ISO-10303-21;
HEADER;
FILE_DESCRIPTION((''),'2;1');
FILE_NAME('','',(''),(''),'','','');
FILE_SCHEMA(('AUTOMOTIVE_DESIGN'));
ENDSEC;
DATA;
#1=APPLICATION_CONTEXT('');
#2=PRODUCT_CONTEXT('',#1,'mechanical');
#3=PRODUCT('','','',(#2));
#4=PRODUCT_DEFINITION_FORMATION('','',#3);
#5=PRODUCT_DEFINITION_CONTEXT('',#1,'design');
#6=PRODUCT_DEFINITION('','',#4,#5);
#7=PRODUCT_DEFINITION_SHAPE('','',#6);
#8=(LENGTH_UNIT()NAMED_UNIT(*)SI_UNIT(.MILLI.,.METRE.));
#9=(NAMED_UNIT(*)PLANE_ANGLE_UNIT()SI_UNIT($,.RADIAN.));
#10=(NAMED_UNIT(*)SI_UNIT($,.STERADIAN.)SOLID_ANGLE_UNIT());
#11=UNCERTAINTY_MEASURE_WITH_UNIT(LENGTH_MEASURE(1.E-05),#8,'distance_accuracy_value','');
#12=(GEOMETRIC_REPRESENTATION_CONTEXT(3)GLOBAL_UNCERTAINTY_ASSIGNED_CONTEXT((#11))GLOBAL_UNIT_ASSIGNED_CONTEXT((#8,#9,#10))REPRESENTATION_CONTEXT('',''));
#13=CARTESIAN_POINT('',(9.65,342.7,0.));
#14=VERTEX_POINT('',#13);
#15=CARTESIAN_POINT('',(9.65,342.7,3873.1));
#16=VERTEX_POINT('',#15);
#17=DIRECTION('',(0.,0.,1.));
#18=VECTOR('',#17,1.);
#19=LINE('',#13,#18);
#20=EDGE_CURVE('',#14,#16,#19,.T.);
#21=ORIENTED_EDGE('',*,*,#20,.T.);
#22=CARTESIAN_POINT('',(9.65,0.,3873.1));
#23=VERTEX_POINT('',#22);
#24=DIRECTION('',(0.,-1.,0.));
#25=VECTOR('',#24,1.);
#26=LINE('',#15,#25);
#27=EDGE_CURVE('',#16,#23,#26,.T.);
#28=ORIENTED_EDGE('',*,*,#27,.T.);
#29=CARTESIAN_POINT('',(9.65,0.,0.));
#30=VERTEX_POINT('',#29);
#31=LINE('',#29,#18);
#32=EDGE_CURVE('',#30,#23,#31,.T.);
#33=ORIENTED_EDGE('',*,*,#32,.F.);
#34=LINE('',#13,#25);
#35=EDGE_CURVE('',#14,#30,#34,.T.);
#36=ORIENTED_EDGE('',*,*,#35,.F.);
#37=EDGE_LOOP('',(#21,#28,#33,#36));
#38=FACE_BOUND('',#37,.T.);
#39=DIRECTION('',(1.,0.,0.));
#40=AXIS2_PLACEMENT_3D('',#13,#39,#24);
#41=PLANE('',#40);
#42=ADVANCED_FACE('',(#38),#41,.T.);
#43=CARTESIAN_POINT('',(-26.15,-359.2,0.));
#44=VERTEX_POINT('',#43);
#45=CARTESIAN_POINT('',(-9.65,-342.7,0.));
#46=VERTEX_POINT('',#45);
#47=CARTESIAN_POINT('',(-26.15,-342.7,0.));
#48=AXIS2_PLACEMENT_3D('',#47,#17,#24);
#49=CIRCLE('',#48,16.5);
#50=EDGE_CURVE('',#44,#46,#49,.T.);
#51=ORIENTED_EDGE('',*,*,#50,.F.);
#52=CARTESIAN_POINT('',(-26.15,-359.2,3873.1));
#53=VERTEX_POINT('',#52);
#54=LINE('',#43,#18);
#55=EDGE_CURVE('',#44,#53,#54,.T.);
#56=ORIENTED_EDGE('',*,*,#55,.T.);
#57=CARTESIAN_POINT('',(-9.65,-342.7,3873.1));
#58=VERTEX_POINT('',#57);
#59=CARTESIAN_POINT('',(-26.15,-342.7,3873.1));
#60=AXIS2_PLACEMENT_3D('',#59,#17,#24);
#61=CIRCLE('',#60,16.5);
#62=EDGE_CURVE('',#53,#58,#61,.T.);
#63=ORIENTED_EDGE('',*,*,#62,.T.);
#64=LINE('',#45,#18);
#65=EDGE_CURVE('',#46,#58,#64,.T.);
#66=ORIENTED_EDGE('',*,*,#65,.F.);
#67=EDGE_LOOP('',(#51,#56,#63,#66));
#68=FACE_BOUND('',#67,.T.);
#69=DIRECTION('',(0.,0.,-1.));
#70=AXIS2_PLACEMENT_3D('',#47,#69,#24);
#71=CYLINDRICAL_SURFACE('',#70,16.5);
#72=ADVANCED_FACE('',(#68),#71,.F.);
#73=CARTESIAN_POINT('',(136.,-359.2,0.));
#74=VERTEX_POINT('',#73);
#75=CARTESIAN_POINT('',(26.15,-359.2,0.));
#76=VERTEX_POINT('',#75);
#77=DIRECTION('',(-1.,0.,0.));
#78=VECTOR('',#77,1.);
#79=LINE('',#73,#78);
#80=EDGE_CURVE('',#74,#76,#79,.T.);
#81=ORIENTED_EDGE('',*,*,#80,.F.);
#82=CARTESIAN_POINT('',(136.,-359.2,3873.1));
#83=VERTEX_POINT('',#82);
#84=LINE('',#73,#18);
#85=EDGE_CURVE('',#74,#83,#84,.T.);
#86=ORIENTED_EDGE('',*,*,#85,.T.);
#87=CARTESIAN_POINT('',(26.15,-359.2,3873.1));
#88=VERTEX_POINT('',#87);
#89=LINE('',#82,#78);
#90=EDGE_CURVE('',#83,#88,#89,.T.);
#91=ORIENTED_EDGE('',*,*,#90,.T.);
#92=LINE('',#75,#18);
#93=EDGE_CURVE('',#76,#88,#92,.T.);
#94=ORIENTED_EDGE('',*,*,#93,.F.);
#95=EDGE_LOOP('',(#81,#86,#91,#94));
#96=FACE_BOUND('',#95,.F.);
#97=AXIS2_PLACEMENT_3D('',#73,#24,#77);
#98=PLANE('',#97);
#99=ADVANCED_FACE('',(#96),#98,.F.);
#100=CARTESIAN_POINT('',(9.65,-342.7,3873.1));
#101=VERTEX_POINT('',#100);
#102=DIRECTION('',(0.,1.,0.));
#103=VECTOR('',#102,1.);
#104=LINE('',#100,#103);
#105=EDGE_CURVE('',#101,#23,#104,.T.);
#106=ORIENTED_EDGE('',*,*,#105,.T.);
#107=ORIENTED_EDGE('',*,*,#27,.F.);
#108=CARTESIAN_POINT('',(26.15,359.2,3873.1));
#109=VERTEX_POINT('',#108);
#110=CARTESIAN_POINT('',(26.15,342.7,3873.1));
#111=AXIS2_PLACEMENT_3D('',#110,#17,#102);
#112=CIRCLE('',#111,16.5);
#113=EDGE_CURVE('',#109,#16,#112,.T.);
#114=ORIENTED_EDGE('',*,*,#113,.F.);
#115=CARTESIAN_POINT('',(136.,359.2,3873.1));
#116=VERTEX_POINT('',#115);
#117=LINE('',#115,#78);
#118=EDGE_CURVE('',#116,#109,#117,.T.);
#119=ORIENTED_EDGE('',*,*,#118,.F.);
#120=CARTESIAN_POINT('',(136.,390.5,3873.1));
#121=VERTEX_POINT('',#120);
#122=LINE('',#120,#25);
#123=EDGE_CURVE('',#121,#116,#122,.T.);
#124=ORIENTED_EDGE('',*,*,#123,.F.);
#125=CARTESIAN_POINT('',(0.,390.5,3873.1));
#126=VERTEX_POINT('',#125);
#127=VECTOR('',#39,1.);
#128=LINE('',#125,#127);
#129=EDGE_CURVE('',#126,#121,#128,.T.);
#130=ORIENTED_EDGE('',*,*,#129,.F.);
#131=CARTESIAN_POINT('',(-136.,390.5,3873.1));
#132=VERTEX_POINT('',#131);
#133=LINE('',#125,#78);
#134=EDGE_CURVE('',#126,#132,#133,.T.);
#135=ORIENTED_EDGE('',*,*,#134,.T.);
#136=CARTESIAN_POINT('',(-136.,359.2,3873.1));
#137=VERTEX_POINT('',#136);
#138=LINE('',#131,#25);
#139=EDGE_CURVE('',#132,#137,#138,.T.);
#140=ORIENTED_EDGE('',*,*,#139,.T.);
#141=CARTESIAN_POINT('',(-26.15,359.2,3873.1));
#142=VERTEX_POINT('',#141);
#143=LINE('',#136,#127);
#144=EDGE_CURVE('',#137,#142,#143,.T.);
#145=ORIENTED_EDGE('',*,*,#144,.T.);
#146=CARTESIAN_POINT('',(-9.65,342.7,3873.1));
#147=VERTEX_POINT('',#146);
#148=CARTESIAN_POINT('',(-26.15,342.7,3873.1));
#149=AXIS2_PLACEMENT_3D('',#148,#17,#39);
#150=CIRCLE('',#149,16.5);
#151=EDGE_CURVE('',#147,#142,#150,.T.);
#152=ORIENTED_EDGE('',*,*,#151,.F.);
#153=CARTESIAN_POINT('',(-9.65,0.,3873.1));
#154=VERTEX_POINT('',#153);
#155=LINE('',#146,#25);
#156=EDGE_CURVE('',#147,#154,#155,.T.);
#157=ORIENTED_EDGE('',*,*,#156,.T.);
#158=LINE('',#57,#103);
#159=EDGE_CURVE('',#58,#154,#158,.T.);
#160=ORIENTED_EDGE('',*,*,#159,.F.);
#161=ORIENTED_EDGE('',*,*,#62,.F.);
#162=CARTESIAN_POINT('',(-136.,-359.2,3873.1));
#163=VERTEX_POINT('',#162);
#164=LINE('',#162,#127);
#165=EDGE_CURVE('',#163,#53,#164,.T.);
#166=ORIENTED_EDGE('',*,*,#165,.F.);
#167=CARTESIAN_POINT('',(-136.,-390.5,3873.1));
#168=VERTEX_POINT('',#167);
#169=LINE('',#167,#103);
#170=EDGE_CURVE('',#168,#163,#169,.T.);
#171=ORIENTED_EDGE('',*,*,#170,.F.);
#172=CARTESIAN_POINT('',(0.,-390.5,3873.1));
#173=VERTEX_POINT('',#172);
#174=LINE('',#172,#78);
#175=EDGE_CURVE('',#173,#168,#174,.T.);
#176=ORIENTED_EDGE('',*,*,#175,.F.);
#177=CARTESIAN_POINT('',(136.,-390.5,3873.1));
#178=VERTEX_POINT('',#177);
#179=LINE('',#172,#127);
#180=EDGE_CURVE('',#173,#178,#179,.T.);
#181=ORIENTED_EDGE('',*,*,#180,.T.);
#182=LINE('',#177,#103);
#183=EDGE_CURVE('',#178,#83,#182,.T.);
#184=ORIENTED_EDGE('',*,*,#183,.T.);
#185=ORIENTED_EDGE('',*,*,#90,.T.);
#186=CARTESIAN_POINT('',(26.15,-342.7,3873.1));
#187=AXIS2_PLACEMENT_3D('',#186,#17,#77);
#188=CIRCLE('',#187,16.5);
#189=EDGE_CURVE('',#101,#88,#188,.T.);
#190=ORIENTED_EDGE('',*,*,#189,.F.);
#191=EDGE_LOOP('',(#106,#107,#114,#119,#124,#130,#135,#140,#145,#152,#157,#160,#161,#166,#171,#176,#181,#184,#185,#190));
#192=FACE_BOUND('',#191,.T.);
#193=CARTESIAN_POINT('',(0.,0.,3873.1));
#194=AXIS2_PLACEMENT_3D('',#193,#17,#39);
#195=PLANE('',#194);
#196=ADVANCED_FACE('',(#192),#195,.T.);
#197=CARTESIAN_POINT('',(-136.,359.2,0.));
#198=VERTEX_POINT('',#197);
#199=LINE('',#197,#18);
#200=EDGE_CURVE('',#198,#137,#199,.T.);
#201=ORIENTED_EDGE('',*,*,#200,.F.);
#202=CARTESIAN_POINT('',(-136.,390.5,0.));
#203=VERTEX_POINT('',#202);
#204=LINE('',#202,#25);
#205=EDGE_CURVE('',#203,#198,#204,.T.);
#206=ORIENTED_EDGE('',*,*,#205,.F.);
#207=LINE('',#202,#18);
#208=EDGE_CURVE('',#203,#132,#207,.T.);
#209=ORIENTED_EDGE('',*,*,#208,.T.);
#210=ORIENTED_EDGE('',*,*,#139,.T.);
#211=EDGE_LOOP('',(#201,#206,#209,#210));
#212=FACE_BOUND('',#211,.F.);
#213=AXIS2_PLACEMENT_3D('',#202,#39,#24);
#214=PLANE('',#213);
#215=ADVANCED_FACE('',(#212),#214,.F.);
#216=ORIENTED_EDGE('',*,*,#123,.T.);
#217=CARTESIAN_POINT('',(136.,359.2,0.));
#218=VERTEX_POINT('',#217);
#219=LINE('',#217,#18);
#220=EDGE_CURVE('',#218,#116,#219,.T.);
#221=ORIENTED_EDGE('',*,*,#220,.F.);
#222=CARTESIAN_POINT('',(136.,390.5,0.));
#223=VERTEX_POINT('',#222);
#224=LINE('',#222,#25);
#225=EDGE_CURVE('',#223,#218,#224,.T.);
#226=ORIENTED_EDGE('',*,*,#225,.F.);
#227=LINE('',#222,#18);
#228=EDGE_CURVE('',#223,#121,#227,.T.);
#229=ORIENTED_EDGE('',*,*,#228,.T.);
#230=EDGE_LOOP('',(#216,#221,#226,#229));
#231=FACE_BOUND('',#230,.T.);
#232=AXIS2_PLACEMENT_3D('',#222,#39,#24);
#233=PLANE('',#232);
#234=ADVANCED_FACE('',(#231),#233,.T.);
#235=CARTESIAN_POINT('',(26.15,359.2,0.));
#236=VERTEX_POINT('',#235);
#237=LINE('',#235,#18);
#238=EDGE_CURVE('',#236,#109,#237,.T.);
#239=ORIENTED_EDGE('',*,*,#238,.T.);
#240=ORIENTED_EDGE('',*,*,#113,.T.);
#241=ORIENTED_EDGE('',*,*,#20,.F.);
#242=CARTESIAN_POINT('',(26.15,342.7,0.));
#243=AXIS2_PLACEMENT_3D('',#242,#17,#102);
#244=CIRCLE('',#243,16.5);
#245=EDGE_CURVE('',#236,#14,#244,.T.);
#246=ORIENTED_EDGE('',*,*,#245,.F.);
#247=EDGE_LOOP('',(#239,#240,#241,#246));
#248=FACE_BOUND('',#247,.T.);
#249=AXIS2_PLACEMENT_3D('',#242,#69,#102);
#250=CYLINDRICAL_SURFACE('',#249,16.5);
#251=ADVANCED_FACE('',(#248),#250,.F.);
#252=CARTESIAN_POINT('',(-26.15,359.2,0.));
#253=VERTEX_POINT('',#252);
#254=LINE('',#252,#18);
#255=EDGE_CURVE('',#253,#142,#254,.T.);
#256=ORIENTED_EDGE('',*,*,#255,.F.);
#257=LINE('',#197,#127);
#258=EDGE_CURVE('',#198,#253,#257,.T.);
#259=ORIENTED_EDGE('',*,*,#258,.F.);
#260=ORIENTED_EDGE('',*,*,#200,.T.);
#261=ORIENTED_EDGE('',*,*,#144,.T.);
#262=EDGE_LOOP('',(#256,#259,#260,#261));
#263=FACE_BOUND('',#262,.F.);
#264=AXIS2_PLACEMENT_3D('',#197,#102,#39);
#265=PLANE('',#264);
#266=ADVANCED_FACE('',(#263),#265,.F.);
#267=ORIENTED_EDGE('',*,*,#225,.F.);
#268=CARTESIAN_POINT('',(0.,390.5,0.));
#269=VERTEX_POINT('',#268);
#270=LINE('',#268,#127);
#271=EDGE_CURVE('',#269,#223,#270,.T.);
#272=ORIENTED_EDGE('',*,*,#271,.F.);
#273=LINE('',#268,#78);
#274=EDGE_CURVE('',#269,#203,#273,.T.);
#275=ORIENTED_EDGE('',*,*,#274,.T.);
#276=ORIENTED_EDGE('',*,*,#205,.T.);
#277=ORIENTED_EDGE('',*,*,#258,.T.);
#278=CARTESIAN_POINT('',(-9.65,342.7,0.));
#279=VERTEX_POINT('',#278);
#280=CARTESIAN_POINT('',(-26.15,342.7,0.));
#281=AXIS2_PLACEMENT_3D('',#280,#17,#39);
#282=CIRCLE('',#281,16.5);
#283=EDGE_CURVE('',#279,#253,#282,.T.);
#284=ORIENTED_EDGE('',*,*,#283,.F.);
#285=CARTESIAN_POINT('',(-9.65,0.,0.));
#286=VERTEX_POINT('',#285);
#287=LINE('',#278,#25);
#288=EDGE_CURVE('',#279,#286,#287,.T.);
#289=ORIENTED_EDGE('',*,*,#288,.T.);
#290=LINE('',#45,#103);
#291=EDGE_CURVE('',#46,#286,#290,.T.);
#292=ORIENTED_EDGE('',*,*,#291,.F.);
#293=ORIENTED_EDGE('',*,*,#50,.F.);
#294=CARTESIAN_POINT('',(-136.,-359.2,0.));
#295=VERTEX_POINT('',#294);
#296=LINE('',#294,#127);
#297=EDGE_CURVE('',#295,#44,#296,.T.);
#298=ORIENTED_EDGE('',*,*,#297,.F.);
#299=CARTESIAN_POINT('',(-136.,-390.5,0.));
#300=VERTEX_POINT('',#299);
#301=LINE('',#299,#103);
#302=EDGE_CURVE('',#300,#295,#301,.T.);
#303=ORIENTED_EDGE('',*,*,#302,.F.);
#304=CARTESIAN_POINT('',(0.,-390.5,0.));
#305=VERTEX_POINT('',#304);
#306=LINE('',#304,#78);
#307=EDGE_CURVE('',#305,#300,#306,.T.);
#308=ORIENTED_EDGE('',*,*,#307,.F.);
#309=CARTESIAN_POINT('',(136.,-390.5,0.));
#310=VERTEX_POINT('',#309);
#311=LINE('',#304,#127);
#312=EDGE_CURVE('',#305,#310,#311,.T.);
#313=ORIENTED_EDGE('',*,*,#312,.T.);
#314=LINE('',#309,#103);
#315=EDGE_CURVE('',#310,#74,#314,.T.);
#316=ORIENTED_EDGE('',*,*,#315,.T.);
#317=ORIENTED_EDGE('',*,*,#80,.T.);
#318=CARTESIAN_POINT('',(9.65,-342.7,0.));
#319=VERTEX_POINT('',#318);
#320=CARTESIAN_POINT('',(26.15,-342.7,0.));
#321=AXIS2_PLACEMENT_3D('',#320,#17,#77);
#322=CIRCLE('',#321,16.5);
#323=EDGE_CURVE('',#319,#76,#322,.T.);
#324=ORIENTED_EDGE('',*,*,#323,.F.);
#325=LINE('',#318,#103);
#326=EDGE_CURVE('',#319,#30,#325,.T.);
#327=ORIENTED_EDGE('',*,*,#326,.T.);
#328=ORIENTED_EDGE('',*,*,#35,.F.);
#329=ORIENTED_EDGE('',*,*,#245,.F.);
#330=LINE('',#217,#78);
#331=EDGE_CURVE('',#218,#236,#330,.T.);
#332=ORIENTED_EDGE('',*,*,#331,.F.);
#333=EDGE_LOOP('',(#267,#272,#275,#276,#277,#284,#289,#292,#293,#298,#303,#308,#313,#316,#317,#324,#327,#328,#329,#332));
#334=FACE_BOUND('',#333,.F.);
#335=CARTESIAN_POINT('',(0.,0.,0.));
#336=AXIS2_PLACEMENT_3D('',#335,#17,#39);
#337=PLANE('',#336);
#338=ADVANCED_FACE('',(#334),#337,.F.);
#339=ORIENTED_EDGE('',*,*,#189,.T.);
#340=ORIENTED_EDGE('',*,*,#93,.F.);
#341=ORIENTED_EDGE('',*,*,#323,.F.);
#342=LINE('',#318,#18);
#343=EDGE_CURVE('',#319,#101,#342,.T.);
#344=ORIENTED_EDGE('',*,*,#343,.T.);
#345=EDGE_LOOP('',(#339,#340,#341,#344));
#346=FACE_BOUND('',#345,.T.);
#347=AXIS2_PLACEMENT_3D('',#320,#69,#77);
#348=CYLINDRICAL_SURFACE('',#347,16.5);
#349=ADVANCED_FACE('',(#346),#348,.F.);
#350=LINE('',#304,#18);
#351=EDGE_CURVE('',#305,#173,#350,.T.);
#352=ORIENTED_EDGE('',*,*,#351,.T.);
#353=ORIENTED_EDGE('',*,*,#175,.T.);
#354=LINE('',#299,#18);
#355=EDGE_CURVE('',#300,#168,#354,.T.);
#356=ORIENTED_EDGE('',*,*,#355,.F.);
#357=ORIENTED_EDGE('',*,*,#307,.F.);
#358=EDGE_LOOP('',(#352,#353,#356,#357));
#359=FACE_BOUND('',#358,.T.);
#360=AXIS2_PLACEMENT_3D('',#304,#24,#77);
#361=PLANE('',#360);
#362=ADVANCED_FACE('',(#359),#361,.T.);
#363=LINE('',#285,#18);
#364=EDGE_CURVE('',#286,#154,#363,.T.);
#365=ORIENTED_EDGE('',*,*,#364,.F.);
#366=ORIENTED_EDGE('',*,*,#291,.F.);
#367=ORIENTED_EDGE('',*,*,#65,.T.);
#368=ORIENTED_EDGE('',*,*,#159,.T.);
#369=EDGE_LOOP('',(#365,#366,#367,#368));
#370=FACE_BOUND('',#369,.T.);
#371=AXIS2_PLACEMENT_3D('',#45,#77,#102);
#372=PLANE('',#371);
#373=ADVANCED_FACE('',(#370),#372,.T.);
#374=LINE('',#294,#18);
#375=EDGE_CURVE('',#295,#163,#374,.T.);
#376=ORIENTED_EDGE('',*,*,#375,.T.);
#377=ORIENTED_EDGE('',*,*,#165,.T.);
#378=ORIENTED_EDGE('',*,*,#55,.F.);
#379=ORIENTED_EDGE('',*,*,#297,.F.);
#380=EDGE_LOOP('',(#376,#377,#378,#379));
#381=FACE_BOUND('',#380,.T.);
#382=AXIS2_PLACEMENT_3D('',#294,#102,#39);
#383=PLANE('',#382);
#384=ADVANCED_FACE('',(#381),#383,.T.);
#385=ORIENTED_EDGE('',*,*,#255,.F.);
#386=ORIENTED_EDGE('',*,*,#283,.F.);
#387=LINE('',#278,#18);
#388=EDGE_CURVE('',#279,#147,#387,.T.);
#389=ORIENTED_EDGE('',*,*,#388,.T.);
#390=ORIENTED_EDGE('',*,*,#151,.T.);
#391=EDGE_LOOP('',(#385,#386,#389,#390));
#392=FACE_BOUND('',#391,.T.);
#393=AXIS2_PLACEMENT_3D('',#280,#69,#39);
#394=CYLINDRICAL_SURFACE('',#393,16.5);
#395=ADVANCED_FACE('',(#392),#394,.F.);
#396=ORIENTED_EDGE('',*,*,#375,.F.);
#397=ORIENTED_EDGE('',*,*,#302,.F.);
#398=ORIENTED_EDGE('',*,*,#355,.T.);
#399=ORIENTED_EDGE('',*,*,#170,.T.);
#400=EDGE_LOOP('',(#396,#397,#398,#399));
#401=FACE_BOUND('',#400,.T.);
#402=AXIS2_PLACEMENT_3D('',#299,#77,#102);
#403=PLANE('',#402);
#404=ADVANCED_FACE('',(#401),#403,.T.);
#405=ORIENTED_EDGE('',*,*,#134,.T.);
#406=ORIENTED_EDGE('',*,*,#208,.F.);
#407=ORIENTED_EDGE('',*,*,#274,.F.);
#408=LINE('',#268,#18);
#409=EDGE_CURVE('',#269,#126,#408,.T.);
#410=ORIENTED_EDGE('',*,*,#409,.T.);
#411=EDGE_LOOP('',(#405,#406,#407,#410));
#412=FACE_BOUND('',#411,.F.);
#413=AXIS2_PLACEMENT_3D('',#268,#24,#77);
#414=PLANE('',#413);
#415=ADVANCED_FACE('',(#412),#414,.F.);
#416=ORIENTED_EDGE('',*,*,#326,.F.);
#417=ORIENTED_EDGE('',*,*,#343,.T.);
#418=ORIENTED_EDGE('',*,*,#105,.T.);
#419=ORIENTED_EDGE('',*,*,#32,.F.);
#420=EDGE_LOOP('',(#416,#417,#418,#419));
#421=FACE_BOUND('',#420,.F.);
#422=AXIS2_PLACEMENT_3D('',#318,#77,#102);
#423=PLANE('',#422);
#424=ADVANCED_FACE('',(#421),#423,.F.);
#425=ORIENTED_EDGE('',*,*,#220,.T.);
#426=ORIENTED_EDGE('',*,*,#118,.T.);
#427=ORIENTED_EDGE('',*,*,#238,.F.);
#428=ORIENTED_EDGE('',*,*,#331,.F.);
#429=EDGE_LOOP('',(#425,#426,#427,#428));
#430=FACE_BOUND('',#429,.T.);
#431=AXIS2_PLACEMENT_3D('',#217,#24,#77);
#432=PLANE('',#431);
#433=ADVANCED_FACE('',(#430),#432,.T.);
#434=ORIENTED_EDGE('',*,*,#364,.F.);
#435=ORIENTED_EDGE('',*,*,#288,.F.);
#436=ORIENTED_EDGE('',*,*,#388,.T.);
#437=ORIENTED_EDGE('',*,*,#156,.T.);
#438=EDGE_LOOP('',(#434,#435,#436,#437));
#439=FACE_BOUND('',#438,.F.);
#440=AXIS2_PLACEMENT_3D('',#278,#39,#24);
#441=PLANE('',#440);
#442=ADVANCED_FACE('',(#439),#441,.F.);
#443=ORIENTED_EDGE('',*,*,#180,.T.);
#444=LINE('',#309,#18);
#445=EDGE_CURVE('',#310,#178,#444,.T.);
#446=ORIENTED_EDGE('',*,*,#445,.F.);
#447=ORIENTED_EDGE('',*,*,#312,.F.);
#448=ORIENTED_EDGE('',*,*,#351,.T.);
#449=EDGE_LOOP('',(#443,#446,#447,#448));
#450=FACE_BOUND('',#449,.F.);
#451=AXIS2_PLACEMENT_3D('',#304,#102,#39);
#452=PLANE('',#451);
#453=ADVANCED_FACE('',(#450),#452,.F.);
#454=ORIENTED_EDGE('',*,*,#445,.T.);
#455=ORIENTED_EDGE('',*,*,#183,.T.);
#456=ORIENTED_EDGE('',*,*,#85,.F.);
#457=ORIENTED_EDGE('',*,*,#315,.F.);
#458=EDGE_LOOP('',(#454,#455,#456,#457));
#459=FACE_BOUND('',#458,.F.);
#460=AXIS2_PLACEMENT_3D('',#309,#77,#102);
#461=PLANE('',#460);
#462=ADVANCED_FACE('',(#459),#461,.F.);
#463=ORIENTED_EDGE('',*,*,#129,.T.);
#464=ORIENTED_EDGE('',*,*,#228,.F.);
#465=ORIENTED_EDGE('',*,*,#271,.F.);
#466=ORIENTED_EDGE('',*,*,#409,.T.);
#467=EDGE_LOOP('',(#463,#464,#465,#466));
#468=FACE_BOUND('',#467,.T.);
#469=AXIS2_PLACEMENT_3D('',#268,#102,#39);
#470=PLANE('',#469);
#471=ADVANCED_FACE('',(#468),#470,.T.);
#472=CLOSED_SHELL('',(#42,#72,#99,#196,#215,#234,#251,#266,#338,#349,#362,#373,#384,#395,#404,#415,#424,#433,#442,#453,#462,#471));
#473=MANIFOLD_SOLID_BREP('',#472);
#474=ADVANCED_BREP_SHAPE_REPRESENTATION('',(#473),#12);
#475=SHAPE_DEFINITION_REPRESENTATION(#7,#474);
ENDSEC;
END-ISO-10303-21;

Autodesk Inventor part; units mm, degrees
ref_plane "YZ Plane" through (0, 0, 0) normal (1, 0, 0) x (0, 1, 0)
ref_plane "Start plane" through (0, 0, 0) normal (0, 0, 1) x (1, 0, 0)
ref_plane "End plane" through (0, 0, 3873.1) normal (0, 0, 1) x (1, 0, 0)
sketch "Sketch" plane through (0, 0, 0) normal (0, 0, 1) x (1, 0, 0)
  line L0 (-136, -390.5) -> (-136, -359.2)
  line L1 (-136, -359.2) -> (-26.15, -359.2)
  line L2 (-9.65, -342.7) -> (-9.65, 0)
  line L3 (-9.65, 0) -> (0, 0) construction
  line L4 (0, 0) -> (0, -390.5) construction
  line L5 (0, -390.5) -> (-136, -390.5)
  line L6 (-60, 0) -> (80, 0) construction
  line L7 (0, -60) -> (0, 80) construction
  line L8 (136, -390.5) -> (136, -359.2)
  line L9 (136, -359.2) -> (26.15, -359.2)
  line L10 (9.65, -342.7) -> (9.65, 0)
  line L11 (9.65, 0) -> (0, 0) construction
  line L12 (0, -390.5) -> (136, -390.5)
  line L13 (-136, 390.5) -> (-136, 359.2)
  line L14 (-136, 359.2) -> (-26.15, 359.2)
  line L15 (-9.65, 342.7) -> (-9.65, 0)
  line L16 (0, 390.5) -> (-136, 390.5)
  line L17 (136, 390.5) -> (136, 359.2)
  line L18 (136, 359.2) -> (26.15, 359.2)
  line L19 (0, 390.5) -> (136, 390.5)
  line L20 (9.65, 342.7) -> (9.65, 0)
  arc A0 (-9.65, 342.7) -> (-26.15, 359.2) centre (-26.15, 342.7) ccw
  arc A1 (26.15, 359.2) -> (9.65, 342.7) centre (26.15, 342.7) ccw
  arc A2 (9.65, -342.7) -> (26.15, -359.2) centre (26.15, -342.7) ccw
  arc A3 (-26.15, -359.2) -> (-9.65, -342.7) centre (-26.15, -342.7) ccw
  line L21 (0, 108) -> (0, -88) construction
  line L22 (-88, 0) -> (108, 0) construction
  point P0 (-9.65, -359.2)
  point P1 (9.65, -359.2)
  point P2 (-9.65, 359.2)
  point P3 (9.65, 359.2)
  dimension "d1" = 390.5
  dimension "d2" = 31.3
  dimension "d3" = 136
  dimension "d4" = 9.65
  dimension "d10" = 16.5
extrude "Body" add sketch "Sketch" along normal up to surface (3873.1 mm away) from surface at 0
sketch "Sketch4" plane through (0, 0, 0) normal (0, 0, 1) x (1, 0, 0)
  line L0 (0, 0) -> (10, 0)
ref_plane "Work Plane3" through (0, 0, 0) normal (0, -1, 0) x (1, 0, 0)
sketch "Sketch5" plane through (0, 0, 0) normal (0, -1, 0) x (1, 0, 0)
  line L0 (-2, 0) -> (12, 0) projected
  line L1 (-2, 3873.1) -> (12, 3873.1) projected
  dimension "d14" = 3873.1
equation "\"d1\" = 0.5 * G_H"
equation "\"d2\" = G_T1"
equation "\"d3\" = 0.5 * G_W"
equation "\"d4\" = 0.5 * G_T"
equation "\"d10\" = G_IR"
equation "\"d5\" = G_L"
equation "\"G_W\" = 272"
equation "\"G_H\" = 781"
equation "\"G_T\" = 19.3"
equation "\"G_T1\" = 31.3"
equation "\"G_IR\" = 16.5"
equation "\"G_L\" = d14"
equation "\"G_OFFSET_START\" = 0"
equation "\"G_OFFSET_END\" = 0"
equation "\"d12\" = G_OFFSET_END + B_L"
equation "\"B_L\" = 3873.1"
properties part number "AS 3679-1990 - 760 UB - 244 - 3873.1" material "Steel, Mild"
